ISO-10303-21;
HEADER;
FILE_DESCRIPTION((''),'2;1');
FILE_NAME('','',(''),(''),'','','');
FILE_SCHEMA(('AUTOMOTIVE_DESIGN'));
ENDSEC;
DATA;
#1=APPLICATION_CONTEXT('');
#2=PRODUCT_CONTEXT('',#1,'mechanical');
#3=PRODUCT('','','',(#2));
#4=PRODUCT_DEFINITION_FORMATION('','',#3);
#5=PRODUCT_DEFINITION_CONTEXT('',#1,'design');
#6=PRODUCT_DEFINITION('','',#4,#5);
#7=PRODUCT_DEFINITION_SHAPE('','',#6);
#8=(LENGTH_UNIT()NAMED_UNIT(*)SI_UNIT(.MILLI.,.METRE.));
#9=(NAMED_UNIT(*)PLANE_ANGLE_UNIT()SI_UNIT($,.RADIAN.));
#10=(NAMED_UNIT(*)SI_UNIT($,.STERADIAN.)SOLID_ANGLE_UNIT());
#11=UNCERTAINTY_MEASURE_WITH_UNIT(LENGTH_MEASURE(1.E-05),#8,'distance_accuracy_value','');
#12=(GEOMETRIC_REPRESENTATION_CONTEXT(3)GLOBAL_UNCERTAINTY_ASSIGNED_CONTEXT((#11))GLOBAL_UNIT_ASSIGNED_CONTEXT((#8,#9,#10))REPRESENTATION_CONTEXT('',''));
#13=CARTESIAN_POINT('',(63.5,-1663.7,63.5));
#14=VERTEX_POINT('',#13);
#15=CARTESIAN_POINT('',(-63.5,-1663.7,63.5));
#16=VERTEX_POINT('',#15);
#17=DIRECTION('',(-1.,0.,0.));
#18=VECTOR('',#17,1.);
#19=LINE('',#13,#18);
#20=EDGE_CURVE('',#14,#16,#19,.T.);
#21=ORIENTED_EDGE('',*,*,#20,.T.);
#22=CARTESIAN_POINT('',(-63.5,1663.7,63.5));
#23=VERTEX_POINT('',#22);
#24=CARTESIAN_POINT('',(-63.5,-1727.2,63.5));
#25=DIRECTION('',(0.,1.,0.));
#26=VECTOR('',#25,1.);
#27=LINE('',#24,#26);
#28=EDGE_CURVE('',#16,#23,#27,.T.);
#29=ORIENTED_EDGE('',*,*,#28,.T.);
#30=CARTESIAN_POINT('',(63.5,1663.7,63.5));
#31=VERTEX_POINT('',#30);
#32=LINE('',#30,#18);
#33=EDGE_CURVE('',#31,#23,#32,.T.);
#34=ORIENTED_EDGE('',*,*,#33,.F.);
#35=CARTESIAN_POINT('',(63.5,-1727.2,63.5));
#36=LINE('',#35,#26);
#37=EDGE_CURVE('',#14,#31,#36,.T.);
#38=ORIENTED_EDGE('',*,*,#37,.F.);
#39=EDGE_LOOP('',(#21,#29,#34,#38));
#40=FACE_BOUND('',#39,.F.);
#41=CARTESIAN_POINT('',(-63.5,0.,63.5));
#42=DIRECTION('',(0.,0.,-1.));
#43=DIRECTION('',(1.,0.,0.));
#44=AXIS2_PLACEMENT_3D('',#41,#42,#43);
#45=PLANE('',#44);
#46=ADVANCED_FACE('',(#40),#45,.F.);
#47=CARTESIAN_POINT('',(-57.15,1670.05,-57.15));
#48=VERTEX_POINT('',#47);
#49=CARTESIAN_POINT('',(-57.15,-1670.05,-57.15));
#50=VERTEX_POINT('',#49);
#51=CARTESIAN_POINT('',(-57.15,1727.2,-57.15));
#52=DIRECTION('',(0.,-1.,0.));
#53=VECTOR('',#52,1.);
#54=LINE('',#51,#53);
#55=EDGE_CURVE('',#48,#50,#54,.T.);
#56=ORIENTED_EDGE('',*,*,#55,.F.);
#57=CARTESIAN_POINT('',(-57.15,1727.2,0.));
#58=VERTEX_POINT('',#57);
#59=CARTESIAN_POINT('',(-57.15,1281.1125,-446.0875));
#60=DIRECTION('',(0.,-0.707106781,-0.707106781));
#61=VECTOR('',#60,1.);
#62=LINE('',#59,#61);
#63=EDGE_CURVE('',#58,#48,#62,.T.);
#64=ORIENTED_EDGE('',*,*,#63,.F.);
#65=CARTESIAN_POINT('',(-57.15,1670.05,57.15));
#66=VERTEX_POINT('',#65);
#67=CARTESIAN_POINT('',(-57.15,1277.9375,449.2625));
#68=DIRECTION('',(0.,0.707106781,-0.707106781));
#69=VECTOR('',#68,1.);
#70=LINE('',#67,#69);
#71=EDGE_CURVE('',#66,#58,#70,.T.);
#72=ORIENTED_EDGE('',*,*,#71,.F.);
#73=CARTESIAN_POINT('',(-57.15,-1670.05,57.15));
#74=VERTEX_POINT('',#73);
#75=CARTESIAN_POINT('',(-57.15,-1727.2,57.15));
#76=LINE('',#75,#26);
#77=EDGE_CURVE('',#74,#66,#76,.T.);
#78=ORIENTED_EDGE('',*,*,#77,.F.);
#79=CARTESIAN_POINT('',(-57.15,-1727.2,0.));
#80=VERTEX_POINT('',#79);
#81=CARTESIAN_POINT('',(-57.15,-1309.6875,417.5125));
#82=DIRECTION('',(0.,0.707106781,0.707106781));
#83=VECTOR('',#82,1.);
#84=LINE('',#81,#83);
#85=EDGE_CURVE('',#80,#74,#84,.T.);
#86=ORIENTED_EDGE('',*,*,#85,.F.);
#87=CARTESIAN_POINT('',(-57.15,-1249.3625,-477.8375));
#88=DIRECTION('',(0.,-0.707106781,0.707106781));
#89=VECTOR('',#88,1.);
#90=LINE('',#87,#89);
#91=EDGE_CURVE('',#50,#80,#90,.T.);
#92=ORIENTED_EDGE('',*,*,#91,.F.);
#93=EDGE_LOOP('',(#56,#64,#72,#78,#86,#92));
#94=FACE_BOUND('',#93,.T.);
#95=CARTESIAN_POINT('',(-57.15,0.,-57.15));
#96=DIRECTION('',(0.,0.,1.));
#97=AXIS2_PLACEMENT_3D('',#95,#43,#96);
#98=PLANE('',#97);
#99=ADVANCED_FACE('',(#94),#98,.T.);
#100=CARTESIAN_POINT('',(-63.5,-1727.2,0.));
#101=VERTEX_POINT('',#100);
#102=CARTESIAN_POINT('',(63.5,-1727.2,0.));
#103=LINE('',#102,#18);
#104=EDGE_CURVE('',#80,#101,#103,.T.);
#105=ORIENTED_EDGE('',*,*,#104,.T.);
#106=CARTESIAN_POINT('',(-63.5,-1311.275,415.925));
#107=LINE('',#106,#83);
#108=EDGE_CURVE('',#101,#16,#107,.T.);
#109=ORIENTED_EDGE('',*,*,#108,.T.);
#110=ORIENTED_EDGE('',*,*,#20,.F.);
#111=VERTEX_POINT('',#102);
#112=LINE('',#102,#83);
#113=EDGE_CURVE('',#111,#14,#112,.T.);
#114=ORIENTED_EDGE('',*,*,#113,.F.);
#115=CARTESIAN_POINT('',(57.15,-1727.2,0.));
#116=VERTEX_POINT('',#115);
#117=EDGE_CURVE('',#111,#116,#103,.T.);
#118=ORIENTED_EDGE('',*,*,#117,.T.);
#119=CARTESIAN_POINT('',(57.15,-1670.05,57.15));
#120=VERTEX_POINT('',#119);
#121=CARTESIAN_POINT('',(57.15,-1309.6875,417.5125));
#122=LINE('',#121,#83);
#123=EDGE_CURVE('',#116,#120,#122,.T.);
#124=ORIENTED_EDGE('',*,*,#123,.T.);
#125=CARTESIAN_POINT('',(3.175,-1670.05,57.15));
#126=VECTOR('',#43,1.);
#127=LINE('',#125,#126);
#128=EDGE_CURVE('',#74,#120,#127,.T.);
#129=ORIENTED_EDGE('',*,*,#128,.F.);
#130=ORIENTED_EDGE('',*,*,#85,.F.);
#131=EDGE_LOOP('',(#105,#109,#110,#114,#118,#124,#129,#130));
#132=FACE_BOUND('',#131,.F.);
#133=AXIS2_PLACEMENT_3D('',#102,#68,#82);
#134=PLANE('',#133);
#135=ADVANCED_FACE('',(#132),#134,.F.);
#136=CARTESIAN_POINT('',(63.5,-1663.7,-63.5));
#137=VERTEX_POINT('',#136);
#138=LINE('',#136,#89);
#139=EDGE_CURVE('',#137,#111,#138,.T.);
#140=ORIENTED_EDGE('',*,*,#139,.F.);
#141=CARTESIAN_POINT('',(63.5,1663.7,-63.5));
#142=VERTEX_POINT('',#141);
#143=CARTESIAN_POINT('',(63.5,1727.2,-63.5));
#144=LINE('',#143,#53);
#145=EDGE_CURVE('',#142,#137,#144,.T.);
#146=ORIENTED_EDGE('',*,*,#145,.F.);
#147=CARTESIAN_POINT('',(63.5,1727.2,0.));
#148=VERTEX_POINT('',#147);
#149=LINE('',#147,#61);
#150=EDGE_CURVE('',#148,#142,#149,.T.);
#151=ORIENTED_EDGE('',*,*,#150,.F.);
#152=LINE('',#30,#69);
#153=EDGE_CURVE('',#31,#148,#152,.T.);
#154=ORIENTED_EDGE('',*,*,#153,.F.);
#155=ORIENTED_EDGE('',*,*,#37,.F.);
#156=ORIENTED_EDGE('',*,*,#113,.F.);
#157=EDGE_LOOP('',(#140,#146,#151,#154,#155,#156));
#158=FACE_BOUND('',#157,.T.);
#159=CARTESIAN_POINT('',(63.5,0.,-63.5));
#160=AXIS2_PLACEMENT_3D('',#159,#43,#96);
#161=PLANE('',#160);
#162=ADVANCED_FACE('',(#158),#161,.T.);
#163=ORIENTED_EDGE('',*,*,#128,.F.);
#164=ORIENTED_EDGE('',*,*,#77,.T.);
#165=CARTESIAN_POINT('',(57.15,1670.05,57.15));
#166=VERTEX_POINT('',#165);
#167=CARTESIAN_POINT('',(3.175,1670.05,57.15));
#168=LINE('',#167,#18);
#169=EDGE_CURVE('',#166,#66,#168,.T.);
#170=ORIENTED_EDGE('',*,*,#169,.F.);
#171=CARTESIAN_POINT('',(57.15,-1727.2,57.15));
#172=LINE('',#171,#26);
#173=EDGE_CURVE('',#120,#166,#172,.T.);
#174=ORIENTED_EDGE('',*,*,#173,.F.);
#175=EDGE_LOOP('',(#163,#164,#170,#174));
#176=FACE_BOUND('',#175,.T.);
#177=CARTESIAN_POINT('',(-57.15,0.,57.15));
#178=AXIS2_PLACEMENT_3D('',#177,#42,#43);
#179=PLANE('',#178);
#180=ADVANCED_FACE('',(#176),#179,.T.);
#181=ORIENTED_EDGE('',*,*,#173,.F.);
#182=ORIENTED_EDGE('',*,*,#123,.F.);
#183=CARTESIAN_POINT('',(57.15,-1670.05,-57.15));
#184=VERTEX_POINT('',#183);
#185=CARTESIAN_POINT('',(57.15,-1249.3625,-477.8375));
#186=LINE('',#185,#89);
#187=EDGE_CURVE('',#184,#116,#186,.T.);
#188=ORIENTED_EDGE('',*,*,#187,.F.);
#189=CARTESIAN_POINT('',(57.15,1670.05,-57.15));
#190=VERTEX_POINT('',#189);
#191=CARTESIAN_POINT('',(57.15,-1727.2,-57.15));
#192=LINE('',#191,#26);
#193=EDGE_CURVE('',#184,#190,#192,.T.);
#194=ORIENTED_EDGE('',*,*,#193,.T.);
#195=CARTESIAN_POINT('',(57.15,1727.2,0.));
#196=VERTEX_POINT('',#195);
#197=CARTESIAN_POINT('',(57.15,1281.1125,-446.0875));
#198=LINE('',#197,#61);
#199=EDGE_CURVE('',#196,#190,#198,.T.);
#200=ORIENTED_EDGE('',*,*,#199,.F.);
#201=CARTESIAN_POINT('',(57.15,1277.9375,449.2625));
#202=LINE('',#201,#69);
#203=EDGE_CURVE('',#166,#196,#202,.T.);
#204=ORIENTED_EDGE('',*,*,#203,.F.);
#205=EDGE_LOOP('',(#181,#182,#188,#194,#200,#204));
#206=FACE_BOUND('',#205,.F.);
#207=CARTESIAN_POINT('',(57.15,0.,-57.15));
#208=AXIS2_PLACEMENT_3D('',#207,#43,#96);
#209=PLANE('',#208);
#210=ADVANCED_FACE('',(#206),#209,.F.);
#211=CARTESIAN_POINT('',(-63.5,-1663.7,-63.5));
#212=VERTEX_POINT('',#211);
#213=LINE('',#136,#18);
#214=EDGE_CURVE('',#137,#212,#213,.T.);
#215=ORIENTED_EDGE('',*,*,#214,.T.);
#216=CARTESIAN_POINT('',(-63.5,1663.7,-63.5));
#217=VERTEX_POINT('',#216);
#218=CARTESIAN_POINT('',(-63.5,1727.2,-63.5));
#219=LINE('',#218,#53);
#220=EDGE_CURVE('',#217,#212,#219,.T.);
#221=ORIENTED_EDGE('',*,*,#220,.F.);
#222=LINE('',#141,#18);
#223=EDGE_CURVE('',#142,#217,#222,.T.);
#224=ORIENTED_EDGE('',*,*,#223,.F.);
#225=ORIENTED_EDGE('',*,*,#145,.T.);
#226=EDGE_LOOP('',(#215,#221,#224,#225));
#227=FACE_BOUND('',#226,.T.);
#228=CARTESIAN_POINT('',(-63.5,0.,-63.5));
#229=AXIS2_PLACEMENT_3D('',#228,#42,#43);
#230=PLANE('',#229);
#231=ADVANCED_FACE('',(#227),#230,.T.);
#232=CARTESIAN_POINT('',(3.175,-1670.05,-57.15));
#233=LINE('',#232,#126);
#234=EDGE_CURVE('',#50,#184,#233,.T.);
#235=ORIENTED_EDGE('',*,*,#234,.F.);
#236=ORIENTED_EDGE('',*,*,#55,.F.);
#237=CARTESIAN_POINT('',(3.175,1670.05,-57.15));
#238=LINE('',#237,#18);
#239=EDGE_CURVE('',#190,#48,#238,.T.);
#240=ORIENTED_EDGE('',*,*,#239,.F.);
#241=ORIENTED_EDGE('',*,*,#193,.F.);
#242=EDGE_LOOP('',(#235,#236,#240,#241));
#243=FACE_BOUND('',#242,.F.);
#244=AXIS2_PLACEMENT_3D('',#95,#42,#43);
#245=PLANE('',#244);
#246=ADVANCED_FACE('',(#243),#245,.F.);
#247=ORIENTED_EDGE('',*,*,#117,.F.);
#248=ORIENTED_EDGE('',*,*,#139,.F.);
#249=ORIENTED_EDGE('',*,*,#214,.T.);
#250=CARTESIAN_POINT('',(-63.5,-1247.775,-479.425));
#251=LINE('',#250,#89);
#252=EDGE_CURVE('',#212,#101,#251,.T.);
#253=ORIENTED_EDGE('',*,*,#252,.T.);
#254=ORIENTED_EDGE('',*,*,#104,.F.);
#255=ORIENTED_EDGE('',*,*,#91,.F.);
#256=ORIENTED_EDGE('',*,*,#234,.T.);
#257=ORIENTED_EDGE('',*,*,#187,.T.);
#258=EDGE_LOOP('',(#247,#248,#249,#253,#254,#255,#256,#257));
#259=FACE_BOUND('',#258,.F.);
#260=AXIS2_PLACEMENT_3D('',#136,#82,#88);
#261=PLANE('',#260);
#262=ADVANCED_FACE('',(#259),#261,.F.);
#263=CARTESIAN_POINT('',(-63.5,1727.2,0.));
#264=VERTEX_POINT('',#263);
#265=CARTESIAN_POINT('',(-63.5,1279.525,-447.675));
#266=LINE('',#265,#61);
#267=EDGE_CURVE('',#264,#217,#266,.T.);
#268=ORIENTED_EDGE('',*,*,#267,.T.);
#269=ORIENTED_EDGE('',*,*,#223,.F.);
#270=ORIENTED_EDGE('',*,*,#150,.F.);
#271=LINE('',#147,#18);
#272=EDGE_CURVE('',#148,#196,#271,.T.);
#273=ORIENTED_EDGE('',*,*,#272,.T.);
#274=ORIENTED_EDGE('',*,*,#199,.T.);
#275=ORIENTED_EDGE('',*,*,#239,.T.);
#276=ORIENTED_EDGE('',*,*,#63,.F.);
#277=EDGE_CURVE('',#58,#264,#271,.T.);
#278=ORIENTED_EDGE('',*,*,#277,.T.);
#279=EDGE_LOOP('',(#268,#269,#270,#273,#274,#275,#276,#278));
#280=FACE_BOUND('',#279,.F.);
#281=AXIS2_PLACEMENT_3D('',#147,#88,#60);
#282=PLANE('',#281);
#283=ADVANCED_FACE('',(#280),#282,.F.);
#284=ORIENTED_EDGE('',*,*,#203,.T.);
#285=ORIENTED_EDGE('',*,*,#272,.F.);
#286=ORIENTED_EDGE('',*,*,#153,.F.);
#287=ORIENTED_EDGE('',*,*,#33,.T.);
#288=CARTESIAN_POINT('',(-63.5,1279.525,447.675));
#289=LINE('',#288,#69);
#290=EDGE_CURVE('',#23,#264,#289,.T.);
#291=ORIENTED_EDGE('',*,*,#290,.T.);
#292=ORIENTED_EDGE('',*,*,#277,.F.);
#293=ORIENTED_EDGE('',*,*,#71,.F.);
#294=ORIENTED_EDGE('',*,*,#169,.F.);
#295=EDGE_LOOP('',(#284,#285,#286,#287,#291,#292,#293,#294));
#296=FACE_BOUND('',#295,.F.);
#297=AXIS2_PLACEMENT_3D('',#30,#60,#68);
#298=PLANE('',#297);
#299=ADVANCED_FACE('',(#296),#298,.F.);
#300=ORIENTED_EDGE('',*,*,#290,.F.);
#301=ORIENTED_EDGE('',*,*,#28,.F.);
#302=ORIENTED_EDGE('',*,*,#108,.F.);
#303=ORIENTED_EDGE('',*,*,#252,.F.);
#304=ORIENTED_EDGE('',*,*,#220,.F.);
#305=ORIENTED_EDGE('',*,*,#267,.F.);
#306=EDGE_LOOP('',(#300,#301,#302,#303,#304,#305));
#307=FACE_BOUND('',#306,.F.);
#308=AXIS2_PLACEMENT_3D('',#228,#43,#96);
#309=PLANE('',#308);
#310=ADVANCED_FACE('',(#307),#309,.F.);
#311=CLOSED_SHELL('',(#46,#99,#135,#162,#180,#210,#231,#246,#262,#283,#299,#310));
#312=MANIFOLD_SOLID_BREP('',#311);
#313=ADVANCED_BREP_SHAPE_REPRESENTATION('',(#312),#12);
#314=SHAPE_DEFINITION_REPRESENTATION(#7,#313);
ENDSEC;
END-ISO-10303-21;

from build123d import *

# Parameters (mm, degrees)
F0_W     = 127
F0_H     = 127
F0_W_2   = 114.3
F0_H_2   = 114.3
F1_DEPTH = 1727.2
F3_DEPTH = 127.001


with BuildPart() as f1:
    # F0 (on Front) → F1 (new body, symmetric)
    with BuildSketch(Plane.XZ):
        Rectangle(F0_W, F0_H)
        Rectangle(F0_W_2, F0_H_2, mode=Mode.SUBTRACT)
    extrude(amount=F1_DEPTH, both=True)

    # F2 (on face) → F3 (cut, through all)
    with BuildSketch(Plane.YZ.offset(63.5)):
        Polygon((1663.7, 63.5), (1727.2, 0), (1727.2, 63.5), align=None)
        Polygon((1727.2, -63.5), (1727.2, 0), (1663.7, -63.5), align=None)
        Polygon((-1727.2, 0), (-1727.2, -63.5), (-1663.7, -63.5), align=None)
        Polygon((-1727.2, 63.5), (-1727.2, 0), (-1663.7, 63.5), align=None)
    extrude(amount=-F3_DEPTH, mode=Mode.SUBTRACT)


solid = f1.part
